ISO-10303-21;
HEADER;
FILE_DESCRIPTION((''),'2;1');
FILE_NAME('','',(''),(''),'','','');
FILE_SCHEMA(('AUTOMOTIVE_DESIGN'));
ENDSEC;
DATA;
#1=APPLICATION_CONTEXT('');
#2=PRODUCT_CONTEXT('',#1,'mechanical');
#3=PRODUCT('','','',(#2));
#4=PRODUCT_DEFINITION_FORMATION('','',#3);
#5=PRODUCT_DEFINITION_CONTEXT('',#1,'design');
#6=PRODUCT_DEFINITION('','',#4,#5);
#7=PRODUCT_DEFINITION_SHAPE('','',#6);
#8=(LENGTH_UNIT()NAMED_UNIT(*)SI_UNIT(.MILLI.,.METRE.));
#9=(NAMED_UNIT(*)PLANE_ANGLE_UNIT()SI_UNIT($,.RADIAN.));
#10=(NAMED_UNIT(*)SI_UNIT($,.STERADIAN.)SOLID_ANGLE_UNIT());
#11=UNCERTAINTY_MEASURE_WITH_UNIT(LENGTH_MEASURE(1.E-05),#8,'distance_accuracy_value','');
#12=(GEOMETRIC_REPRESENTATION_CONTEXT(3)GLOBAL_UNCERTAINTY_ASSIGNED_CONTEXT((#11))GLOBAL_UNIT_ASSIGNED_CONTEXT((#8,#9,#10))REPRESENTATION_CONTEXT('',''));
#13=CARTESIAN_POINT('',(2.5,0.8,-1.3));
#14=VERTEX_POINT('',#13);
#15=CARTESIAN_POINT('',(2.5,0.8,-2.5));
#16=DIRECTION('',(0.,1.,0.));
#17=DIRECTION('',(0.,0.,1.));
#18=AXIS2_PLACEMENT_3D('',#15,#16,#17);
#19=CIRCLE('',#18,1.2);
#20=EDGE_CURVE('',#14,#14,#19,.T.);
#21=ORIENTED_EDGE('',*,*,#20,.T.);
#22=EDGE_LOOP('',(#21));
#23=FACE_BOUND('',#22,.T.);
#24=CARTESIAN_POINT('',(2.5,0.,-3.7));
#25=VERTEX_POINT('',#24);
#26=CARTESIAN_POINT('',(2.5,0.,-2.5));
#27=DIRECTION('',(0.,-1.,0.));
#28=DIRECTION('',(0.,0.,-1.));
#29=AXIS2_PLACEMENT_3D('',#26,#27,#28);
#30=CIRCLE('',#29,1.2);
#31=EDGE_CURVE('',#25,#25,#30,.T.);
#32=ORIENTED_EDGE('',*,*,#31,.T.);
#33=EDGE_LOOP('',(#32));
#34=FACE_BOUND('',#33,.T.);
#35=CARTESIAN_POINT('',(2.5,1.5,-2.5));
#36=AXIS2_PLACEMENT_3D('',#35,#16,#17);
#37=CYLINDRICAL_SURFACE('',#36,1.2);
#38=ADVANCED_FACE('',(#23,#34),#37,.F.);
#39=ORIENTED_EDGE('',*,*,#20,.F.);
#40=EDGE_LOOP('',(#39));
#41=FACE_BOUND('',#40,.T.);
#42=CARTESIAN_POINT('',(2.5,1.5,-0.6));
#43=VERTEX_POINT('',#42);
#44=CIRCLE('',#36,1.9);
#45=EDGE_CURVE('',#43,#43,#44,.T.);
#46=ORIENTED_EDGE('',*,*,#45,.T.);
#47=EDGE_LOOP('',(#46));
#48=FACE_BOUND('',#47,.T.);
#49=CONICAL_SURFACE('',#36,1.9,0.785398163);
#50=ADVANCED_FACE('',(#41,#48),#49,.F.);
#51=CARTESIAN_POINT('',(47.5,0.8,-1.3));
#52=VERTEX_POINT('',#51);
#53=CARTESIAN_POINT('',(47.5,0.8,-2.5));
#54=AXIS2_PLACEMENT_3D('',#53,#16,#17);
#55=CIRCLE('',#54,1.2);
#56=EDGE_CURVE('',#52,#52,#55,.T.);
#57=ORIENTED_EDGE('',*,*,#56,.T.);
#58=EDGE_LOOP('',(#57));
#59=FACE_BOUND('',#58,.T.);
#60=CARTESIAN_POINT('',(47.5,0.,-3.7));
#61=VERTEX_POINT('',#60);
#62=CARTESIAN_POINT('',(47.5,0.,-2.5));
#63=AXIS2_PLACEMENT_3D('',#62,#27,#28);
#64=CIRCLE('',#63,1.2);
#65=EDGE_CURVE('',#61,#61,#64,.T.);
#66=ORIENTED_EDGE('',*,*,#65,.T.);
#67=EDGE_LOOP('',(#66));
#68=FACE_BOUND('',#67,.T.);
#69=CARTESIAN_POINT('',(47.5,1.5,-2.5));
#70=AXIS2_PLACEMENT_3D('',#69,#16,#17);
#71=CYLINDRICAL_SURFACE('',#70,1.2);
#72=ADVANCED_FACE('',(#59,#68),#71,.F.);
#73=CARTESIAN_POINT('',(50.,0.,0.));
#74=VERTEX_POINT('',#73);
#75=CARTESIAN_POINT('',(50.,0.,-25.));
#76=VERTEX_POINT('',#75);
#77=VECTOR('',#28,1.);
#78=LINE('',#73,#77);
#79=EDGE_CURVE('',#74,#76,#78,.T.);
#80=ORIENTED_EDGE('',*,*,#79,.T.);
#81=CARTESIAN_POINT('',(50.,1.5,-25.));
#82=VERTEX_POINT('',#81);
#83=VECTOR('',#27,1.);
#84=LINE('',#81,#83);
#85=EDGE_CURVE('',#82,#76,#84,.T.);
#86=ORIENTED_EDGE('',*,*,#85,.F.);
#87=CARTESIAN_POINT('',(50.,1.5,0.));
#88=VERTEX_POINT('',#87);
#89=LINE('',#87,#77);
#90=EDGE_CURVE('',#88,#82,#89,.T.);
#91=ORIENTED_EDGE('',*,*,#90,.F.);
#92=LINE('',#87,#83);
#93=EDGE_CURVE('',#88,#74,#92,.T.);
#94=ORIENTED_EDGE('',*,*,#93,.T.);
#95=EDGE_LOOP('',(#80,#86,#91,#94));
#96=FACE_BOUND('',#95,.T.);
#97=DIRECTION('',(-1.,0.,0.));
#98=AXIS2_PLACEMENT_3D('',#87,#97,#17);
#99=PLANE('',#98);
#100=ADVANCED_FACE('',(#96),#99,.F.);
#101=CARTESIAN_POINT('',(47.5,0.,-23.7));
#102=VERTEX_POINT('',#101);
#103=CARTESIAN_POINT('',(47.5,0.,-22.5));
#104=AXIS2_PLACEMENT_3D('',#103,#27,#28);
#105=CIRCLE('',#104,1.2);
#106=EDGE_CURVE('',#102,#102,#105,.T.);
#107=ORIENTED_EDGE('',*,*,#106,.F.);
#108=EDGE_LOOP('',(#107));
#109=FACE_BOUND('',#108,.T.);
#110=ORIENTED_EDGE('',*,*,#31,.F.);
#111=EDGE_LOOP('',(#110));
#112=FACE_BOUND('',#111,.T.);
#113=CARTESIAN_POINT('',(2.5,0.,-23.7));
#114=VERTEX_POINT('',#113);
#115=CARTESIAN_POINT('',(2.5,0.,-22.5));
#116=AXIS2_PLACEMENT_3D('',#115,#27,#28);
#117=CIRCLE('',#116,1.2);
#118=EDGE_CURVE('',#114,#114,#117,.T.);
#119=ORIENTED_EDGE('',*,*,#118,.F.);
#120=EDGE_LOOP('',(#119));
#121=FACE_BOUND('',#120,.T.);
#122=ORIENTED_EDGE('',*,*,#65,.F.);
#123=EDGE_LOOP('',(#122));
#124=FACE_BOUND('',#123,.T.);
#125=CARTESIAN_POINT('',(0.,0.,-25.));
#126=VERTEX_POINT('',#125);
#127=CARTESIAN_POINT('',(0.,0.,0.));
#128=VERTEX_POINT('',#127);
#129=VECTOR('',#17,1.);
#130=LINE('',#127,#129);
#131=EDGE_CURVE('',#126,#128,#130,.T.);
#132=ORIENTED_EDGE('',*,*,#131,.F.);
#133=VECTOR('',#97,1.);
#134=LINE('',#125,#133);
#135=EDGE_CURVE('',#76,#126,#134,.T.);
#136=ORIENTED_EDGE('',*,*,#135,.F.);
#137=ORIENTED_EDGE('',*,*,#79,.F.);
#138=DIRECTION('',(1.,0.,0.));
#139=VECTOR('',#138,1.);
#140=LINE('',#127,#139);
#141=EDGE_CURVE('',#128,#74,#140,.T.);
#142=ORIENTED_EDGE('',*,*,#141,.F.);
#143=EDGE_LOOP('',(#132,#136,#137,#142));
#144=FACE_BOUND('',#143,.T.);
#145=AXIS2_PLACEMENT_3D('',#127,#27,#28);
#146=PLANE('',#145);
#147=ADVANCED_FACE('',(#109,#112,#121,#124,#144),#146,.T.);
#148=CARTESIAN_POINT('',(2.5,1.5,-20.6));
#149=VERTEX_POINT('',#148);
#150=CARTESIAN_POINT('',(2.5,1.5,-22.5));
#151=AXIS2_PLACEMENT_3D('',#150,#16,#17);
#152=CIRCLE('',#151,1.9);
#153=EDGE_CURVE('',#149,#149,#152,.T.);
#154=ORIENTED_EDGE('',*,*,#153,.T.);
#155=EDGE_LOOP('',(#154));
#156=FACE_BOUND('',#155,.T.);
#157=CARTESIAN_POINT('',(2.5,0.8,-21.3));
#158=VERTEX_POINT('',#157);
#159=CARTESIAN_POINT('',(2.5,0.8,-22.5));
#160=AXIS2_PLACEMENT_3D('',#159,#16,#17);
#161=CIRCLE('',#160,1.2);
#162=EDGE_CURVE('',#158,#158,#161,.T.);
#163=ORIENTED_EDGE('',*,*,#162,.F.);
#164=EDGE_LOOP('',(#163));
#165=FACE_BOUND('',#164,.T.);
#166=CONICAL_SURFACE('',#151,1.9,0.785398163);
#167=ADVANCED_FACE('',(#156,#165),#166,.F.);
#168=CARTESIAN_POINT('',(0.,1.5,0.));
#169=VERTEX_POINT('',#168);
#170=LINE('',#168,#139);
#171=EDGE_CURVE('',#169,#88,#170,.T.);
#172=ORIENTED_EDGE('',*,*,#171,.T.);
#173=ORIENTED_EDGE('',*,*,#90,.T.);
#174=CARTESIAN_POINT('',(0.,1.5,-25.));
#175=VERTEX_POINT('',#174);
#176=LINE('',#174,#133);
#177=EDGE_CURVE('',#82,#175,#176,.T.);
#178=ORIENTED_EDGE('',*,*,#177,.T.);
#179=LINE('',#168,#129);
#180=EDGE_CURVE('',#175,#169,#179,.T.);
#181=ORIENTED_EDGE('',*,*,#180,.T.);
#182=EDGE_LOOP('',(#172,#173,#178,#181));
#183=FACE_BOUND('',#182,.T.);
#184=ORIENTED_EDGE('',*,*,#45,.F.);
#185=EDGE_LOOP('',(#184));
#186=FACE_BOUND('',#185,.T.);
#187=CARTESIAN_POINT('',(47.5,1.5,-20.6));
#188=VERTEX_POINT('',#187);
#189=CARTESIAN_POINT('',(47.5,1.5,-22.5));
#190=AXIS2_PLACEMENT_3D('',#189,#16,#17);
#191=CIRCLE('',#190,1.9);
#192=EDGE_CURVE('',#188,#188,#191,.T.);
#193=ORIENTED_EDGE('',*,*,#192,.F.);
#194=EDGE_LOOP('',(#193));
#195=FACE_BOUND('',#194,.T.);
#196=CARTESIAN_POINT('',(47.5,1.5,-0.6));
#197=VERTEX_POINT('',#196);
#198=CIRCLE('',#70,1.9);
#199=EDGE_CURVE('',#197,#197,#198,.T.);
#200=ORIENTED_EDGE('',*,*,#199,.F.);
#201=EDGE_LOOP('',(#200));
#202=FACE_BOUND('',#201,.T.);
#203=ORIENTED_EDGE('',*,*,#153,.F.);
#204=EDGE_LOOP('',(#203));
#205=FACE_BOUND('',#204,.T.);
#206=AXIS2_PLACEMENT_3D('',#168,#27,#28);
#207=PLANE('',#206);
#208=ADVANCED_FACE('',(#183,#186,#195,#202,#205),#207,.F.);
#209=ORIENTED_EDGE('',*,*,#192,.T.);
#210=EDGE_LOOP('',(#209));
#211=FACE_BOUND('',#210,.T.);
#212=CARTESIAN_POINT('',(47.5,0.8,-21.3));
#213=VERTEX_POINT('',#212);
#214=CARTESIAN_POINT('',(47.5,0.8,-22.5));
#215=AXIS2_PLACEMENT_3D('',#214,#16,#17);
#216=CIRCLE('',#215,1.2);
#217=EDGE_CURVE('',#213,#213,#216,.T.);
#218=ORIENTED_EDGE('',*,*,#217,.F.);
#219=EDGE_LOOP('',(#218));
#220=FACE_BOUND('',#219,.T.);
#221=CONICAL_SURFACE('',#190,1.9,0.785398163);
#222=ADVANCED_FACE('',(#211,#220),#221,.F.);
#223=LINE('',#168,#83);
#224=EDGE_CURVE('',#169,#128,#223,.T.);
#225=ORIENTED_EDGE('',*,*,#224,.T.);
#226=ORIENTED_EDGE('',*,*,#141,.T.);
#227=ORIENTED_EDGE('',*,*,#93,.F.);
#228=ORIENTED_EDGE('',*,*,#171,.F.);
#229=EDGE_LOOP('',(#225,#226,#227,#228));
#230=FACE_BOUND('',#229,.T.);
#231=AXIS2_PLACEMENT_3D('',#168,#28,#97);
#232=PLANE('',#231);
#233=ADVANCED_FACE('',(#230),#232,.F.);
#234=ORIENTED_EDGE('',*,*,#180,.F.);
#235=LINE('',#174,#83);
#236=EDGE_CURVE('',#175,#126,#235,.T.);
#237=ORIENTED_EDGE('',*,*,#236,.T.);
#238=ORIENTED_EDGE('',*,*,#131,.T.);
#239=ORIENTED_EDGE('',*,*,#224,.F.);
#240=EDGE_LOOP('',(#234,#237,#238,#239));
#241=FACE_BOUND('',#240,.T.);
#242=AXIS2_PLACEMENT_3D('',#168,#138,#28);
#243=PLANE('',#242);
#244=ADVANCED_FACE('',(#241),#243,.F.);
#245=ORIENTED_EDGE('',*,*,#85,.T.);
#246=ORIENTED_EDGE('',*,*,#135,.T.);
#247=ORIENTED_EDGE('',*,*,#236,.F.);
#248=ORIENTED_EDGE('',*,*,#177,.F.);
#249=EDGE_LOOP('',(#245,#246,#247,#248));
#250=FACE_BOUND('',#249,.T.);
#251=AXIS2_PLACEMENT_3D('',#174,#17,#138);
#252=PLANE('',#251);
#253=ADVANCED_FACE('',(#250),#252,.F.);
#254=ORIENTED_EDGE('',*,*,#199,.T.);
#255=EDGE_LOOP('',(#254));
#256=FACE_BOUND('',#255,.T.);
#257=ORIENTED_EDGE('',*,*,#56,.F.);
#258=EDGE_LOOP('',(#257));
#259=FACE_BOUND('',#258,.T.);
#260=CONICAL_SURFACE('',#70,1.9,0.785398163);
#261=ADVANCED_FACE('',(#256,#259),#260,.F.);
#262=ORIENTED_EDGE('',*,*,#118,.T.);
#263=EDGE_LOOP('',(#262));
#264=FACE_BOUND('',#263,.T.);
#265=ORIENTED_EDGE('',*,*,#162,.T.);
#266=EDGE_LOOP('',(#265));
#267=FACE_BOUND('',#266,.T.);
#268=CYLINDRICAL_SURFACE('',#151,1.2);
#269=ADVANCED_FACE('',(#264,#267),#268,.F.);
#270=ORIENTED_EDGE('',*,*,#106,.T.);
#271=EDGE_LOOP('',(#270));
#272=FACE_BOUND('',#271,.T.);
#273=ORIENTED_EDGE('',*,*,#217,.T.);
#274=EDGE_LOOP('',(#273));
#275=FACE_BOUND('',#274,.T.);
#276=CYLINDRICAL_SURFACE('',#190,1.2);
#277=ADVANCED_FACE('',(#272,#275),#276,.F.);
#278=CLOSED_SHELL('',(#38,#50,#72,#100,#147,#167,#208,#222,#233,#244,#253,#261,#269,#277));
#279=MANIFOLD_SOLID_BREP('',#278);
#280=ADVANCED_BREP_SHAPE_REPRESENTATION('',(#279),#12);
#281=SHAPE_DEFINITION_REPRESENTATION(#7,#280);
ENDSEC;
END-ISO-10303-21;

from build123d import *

# Parameters (mm, degrees)
SKETCH_1_W                  = 50
SKETCH_1_H                  = 25
EXTRUDE_1_DEPTH             = 1.5
PATTERN_LINEAR_1_COUNT      = 2
PATTERN_LINEAR_1_PITCH      = 45
PATTERN_LINEAR_1_COUNT_DIR2 = 2
PATTERN_LINEAR_1_PITCH_DIR2 = 20


with BuildPart() as part:
    # 草图1 → 凸台-拉伸1 (new body)
    with BuildSketch(Plane(origin=(0, 0, 0), x_dir=(1, 0, 0), z_dir=(0, 1, 0))):
        with Locations((25, 12.5)):
            Rectangle(SKETCH_1_W, SKETCH_1_H)
    extrude(amount=EXTRUDE_1_DEPTH)

    # 草图3 → M2 平头机械螺钉的锥形沉头孔1 (revolve, cut)
    with BuildSketch(Plane(origin=(2.5, 1.5, -22.5), x_dir=(0, 0, 1), z_dir=(1, 0, 0))):
        Polygon((0, 0), (0, 8.721032743), (1.2, 8), (1.2, 0.7), (1.9, 0), align=None)
    hole_wizard_m2_1 = revolve(axis=Axis((2.5, 7.85, -22.5), (0, -1, 0)), mode=Mode.SUBTRACT)

    # 阵列(线性)1: Hole Wizard M2 _1 2 × 2
    with Locations(*[(i * PATTERN_LINEAR_1_PITCH, 0, j * PATTERN_LINEAR_1_PITCH_DIR2) for i in range(PATTERN_LINEAR_1_COUNT) for j in range(PATTERN_LINEAR_1_COUNT_DIR2) if (i, j) != (0, 0)]):
        add(hole_wizard_m2_1, mode=Mode.SUBTRACT)


solid = part.part
